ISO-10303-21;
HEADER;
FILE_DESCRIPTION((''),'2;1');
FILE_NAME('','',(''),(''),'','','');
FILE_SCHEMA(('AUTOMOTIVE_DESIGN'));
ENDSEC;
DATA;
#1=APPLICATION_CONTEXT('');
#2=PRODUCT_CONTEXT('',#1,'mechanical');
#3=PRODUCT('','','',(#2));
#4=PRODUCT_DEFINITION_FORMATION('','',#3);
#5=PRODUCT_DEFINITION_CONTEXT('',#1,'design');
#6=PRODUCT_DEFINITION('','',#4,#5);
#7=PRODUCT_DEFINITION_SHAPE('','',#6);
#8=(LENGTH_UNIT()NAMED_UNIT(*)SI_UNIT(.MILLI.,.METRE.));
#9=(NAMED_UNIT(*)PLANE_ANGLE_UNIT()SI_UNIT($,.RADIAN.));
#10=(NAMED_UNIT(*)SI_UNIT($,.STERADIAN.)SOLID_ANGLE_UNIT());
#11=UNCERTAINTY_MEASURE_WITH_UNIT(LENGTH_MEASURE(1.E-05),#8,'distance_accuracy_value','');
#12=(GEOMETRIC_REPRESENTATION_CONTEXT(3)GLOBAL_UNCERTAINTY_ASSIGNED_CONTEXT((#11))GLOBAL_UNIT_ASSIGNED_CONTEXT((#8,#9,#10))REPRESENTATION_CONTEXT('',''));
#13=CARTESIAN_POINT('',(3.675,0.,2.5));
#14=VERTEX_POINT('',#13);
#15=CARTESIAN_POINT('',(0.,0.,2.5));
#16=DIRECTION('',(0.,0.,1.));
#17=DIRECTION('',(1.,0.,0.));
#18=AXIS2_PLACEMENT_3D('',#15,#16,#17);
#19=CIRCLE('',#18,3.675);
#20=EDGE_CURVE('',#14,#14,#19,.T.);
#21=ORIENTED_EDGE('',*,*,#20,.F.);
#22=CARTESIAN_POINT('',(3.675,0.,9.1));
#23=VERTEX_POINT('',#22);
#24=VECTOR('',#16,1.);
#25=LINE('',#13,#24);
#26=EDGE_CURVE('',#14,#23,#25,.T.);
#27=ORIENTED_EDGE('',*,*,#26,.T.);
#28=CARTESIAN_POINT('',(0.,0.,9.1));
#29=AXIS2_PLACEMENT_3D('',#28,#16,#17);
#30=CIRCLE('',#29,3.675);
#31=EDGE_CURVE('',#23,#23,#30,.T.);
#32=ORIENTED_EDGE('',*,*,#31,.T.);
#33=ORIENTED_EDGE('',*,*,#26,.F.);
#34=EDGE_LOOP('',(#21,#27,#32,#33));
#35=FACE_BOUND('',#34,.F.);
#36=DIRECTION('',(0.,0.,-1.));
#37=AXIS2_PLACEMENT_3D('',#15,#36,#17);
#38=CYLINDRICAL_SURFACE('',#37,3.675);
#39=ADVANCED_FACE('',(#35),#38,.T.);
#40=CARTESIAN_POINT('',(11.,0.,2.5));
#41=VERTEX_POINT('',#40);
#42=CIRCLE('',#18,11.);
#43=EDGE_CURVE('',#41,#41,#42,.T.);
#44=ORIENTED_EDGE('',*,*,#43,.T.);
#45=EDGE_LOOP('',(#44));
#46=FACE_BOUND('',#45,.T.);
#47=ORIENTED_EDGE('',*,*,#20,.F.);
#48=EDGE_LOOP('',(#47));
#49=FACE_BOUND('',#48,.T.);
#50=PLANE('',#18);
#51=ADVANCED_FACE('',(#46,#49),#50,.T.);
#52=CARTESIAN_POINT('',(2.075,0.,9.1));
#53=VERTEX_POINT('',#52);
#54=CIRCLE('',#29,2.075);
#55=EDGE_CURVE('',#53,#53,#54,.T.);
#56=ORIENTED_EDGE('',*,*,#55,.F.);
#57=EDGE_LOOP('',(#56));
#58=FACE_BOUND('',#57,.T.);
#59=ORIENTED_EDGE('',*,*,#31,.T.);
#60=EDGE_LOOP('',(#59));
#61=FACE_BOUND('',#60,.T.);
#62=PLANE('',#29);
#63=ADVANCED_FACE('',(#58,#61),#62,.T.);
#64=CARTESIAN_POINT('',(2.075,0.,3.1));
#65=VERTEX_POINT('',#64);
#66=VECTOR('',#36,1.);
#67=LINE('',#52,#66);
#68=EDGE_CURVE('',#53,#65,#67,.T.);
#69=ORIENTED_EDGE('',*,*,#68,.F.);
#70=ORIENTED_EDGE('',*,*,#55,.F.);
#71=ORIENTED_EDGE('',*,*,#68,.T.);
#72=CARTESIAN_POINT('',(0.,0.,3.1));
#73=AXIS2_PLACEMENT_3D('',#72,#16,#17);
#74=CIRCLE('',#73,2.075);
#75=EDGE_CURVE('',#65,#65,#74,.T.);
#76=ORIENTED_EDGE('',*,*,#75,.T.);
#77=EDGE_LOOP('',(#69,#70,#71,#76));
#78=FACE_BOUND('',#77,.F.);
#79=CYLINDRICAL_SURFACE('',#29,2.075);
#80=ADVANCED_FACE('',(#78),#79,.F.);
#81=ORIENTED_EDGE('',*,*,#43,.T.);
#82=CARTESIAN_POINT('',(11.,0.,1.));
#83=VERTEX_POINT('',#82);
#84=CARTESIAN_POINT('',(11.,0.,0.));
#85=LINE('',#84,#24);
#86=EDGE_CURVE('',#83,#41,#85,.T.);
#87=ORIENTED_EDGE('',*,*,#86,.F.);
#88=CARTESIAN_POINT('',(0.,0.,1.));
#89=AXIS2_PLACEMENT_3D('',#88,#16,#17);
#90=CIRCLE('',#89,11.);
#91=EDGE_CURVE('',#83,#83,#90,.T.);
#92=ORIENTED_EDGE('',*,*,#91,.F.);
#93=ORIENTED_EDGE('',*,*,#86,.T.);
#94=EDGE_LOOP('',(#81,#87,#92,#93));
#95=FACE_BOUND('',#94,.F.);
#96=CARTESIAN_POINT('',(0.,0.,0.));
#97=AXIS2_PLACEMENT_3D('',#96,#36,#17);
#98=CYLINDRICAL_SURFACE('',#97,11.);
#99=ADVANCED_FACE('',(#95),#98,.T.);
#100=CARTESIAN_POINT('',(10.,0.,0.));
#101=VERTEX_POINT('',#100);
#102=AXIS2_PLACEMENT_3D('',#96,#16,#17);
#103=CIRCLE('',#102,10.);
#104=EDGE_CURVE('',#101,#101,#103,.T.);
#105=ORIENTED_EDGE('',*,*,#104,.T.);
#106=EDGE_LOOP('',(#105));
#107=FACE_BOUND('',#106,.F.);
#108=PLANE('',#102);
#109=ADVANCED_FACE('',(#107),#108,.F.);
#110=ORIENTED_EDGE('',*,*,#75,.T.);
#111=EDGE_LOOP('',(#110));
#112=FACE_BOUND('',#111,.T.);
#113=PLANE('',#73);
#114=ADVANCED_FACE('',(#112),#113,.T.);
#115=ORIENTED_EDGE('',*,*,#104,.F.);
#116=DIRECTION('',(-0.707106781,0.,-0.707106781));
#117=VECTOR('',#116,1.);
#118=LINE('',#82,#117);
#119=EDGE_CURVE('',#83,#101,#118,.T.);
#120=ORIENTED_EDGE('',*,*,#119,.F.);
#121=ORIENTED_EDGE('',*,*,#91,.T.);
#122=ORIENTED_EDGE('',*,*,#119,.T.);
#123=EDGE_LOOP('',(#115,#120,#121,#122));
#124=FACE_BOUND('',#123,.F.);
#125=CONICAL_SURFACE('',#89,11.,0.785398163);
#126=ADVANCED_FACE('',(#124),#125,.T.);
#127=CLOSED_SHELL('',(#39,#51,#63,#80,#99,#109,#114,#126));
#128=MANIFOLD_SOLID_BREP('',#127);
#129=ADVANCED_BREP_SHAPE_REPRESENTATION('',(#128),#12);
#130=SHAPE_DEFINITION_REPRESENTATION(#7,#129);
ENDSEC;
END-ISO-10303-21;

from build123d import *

# Parameters (mm, degrees)
F0_R     = 11
F1_DEPTH = 2.5
F2_SIZE2 = 1
F2_SIZE  = 1
F3_R     = 3.675
F4_DEPTH = 6.6
F5_R     = 2.075
F6_DEPTH = 6


with BuildPart() as f1:
    # F0 (on Top) → F1 (new body)
    with BuildSketch(Plane.XY):
        Circle(F0_R)
    extrude(amount=F1_DEPTH)

    # F2
    f2_edges = [f1.edges().sort_by_distance(p)[0] for p in [
        (-11, 0, 0),
    ]]
    chamfer(f2_edges, length=F2_SIZE, length2=F2_SIZE2)

    # F3 (on face) → F4 (join)
    with BuildSketch(Plane.XY.offset(2.5)):
        Circle(F3_R)
    extrude(amount=F4_DEPTH)

    # F5 (on face) → F6 (cut)
    with BuildSketch(Plane.XY.offset(9.1)):
        Circle(F5_R)
    extrude(amount=-F6_DEPTH, mode=Mode.SUBTRACT)


solid = f1.part
